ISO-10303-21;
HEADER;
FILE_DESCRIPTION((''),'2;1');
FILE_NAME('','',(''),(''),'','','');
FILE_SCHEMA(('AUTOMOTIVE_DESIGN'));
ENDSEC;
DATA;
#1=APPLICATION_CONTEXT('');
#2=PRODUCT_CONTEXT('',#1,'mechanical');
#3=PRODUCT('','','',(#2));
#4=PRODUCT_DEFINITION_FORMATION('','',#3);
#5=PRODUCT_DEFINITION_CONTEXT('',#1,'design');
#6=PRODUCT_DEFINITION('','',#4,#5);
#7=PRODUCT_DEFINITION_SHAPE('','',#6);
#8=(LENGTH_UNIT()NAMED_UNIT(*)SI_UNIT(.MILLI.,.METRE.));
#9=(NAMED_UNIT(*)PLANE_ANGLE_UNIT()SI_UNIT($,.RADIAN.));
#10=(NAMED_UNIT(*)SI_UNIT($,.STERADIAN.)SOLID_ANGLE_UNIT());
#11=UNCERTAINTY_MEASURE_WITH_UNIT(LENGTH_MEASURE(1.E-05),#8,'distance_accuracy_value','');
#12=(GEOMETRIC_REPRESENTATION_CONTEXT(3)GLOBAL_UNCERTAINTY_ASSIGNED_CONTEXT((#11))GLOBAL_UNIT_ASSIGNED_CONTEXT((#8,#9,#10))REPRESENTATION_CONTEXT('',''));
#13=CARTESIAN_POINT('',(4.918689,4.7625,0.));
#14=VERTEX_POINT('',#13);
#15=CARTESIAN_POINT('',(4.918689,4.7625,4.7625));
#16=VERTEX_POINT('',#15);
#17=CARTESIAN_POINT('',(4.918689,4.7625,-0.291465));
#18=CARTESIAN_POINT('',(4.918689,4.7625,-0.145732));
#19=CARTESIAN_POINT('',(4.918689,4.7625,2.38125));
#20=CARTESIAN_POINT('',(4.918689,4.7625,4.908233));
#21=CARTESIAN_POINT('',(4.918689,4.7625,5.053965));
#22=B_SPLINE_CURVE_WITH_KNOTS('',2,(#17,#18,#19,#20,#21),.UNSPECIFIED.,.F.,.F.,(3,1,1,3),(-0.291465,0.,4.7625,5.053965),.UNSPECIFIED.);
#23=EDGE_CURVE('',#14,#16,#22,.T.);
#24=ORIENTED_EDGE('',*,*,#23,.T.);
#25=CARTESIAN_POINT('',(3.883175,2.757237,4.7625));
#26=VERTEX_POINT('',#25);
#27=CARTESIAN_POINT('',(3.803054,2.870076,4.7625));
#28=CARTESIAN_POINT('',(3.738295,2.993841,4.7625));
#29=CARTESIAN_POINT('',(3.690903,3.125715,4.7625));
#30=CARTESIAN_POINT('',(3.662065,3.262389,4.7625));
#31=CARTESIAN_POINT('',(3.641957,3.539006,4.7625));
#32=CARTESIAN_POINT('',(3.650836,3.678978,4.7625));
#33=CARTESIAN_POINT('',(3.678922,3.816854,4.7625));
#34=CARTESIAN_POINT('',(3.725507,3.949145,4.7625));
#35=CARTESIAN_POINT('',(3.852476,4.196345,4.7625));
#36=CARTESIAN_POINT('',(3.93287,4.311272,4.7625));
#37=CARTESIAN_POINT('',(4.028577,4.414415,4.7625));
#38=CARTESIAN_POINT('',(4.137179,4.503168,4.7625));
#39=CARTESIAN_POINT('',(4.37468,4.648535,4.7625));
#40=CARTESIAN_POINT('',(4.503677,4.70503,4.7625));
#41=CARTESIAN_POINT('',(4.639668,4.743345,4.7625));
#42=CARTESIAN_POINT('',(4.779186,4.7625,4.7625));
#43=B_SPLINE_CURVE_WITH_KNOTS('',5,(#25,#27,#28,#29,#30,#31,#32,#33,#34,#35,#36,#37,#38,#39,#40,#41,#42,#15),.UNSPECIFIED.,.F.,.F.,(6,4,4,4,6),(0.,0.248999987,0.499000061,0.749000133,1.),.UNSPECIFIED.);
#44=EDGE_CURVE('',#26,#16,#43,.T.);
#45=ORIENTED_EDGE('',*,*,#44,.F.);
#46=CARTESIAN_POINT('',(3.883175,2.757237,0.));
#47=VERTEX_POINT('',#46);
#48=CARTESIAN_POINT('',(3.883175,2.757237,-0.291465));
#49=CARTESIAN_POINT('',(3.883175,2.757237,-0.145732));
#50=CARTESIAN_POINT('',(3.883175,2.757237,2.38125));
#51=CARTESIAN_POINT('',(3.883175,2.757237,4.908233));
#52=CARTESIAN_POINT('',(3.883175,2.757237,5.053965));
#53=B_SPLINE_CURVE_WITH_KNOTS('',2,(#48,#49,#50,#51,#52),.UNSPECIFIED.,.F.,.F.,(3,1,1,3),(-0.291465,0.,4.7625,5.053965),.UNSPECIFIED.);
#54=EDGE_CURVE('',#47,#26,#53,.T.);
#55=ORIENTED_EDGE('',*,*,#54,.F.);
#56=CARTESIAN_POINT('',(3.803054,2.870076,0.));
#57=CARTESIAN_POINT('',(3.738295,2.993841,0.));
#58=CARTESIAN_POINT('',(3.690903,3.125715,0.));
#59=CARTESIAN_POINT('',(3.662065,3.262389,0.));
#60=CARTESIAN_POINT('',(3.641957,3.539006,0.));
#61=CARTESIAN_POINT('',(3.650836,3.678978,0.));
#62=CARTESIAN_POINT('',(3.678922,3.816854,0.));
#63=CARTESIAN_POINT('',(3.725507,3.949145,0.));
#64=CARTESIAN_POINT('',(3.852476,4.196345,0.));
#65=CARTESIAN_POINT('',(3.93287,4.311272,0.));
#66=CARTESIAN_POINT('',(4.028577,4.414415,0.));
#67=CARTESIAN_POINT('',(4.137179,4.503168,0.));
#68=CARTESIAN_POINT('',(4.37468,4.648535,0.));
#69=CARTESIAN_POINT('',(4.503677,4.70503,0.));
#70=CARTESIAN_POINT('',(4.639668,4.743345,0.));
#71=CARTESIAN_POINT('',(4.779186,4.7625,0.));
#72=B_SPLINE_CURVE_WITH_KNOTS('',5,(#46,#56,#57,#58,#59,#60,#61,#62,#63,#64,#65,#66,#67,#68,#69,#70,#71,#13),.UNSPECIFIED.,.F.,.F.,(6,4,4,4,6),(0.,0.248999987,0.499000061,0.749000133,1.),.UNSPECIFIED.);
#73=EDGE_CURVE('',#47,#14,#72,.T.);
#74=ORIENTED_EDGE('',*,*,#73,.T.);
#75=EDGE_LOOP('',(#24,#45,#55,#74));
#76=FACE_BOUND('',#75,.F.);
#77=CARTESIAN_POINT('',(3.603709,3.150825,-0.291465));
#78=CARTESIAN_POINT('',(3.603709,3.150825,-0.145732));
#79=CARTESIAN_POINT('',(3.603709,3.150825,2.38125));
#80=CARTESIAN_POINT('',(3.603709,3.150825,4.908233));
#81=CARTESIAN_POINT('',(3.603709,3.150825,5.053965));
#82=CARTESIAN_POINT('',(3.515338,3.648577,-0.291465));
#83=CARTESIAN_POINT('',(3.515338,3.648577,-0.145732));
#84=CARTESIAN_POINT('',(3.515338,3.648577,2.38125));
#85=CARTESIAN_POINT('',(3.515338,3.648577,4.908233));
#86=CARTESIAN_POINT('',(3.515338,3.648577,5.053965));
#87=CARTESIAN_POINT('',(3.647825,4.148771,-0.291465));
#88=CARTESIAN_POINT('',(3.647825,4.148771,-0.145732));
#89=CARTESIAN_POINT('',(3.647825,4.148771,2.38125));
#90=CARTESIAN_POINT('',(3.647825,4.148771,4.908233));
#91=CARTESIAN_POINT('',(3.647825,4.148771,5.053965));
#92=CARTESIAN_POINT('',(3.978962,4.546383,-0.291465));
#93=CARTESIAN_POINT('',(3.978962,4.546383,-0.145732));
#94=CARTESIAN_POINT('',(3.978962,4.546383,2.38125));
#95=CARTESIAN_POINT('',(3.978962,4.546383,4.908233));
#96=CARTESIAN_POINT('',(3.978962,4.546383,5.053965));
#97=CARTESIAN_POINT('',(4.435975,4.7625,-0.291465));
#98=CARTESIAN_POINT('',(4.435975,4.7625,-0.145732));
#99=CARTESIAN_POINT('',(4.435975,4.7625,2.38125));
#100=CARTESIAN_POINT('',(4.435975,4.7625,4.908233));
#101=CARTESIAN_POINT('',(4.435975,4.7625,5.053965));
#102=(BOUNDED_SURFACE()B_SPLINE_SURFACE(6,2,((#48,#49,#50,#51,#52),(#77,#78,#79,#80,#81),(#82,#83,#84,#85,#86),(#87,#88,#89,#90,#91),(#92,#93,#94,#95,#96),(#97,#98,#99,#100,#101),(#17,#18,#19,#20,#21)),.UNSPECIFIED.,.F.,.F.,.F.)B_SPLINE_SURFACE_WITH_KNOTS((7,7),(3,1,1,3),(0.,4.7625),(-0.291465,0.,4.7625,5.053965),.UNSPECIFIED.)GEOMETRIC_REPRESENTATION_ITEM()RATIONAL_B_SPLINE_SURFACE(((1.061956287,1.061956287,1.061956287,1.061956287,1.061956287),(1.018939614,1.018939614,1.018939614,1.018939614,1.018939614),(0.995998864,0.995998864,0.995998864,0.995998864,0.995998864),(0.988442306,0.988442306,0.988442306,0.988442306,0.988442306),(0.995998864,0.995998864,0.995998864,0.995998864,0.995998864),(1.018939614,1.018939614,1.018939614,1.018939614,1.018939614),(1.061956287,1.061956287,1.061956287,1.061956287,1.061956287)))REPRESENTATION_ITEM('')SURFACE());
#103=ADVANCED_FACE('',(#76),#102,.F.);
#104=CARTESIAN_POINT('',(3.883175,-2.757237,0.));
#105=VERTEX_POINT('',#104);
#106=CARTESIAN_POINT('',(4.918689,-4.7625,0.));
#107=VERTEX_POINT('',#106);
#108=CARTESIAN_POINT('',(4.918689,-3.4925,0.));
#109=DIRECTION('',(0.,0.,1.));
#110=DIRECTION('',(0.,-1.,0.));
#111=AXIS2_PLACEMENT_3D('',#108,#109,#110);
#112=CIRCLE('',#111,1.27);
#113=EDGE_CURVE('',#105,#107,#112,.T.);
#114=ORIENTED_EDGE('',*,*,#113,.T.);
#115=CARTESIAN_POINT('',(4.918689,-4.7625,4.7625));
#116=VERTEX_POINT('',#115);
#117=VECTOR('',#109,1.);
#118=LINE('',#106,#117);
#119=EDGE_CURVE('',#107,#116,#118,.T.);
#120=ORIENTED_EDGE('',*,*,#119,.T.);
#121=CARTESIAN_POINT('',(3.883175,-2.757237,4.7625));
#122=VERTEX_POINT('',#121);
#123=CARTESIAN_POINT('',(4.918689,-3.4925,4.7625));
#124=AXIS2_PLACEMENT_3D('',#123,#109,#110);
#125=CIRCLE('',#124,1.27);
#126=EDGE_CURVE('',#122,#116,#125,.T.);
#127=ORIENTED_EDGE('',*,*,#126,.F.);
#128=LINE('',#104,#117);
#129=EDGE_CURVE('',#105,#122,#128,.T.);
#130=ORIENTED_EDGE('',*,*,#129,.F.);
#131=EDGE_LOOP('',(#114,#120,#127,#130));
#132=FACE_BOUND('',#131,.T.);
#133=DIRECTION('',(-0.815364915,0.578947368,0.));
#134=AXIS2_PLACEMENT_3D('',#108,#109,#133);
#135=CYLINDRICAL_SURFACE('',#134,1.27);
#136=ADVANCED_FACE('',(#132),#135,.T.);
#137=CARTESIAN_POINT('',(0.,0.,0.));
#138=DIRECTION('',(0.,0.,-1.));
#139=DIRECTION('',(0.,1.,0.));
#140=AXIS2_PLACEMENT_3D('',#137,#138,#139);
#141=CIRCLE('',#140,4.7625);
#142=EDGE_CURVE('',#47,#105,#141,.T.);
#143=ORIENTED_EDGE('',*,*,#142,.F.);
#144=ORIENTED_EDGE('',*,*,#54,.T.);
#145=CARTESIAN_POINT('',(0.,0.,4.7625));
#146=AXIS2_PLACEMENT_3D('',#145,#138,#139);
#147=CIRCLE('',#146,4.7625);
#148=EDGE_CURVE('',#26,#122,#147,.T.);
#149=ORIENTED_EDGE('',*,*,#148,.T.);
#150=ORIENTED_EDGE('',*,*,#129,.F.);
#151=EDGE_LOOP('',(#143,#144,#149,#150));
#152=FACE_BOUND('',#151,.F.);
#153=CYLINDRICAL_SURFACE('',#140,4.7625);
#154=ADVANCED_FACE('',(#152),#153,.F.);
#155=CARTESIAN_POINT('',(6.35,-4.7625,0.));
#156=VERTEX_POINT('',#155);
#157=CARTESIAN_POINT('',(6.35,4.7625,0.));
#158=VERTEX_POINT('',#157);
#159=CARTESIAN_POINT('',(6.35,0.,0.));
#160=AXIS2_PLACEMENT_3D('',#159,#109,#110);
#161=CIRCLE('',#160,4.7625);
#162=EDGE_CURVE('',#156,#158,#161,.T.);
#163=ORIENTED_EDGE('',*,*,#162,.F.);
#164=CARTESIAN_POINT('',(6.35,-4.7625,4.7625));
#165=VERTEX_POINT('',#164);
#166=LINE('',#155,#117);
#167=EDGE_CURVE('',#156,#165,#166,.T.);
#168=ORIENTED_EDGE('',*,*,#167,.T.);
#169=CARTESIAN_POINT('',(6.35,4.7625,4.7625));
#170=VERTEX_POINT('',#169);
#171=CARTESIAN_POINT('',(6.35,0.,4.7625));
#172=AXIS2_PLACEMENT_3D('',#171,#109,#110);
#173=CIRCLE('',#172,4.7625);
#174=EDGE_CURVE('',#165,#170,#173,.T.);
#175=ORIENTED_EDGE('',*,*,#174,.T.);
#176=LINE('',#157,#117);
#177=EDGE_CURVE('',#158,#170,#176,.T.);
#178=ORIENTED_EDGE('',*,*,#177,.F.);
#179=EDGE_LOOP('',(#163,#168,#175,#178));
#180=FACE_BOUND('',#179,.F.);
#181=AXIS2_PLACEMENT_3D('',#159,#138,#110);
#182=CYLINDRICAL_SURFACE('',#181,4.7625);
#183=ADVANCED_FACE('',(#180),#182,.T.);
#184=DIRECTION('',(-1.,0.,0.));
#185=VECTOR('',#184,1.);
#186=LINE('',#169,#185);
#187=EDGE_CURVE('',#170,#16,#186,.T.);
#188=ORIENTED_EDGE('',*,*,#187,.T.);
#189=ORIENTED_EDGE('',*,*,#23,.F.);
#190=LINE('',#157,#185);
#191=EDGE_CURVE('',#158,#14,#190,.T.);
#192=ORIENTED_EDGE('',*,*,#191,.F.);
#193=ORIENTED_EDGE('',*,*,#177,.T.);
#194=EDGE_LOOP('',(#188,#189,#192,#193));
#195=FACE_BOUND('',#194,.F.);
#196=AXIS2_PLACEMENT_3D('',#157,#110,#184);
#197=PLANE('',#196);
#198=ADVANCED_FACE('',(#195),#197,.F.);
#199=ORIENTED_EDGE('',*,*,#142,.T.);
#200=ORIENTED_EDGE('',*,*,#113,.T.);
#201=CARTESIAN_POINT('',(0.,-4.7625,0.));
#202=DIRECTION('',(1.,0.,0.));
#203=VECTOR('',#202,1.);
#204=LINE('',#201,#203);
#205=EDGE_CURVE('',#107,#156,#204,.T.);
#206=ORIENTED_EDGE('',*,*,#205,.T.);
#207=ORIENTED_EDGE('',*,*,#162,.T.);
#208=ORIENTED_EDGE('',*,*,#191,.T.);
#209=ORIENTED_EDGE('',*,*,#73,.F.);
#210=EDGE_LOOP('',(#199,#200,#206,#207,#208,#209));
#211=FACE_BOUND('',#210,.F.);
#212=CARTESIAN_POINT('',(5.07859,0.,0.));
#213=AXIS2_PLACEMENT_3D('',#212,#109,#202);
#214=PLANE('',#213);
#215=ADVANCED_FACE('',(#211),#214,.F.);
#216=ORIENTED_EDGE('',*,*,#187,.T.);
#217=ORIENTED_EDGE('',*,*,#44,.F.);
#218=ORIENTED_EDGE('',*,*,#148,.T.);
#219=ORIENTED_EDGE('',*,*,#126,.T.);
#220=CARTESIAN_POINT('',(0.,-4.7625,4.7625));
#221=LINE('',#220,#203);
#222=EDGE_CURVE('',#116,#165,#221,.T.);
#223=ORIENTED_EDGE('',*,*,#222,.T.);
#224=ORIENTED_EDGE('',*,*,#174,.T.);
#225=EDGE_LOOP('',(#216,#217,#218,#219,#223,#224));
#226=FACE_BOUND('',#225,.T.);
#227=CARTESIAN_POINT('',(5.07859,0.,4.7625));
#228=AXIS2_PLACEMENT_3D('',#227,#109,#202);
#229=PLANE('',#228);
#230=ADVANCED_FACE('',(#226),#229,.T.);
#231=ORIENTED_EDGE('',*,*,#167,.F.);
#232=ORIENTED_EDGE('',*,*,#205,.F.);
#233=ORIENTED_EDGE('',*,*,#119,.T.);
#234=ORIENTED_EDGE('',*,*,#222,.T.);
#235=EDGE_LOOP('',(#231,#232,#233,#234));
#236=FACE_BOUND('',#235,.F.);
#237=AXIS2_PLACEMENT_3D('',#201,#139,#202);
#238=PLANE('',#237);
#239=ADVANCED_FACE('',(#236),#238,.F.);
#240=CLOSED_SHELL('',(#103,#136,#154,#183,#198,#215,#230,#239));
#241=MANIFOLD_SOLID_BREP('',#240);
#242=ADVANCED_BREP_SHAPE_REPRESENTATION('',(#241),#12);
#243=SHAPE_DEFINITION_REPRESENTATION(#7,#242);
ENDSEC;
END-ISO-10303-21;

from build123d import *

# Parameters (mm, degrees)
F1_DEPTH = 4.7625
F2_R     = 1.27


with BuildPart() as f1:
    # F0 (on Top) → F1 (new body)
    with BuildSketch(Plane.XY):
        with BuildLine():
            ThreePointArc((0, 4.7625), (4.7625, 0), (0, -4.7625))
            Line((0, -4.7625), (6.35, -4.7625))
            ThreePointArc((6.35, -4.7625), (11.1125, 0), (6.35, 4.7625))
            Line((6.35, 4.7625), (0, 4.7625))
        make_face()
    extrude(amount=F1_DEPTH)

    # F2
    f2_edges = [f1.edges().sort_by_distance(p)[0] for p in [
        (0, -4.7625, 2.38125),
        (0, 4.7625, 2.38125),
    ]]
    fillet(f2_edges, radius=F2_R)


solid = f1.part
